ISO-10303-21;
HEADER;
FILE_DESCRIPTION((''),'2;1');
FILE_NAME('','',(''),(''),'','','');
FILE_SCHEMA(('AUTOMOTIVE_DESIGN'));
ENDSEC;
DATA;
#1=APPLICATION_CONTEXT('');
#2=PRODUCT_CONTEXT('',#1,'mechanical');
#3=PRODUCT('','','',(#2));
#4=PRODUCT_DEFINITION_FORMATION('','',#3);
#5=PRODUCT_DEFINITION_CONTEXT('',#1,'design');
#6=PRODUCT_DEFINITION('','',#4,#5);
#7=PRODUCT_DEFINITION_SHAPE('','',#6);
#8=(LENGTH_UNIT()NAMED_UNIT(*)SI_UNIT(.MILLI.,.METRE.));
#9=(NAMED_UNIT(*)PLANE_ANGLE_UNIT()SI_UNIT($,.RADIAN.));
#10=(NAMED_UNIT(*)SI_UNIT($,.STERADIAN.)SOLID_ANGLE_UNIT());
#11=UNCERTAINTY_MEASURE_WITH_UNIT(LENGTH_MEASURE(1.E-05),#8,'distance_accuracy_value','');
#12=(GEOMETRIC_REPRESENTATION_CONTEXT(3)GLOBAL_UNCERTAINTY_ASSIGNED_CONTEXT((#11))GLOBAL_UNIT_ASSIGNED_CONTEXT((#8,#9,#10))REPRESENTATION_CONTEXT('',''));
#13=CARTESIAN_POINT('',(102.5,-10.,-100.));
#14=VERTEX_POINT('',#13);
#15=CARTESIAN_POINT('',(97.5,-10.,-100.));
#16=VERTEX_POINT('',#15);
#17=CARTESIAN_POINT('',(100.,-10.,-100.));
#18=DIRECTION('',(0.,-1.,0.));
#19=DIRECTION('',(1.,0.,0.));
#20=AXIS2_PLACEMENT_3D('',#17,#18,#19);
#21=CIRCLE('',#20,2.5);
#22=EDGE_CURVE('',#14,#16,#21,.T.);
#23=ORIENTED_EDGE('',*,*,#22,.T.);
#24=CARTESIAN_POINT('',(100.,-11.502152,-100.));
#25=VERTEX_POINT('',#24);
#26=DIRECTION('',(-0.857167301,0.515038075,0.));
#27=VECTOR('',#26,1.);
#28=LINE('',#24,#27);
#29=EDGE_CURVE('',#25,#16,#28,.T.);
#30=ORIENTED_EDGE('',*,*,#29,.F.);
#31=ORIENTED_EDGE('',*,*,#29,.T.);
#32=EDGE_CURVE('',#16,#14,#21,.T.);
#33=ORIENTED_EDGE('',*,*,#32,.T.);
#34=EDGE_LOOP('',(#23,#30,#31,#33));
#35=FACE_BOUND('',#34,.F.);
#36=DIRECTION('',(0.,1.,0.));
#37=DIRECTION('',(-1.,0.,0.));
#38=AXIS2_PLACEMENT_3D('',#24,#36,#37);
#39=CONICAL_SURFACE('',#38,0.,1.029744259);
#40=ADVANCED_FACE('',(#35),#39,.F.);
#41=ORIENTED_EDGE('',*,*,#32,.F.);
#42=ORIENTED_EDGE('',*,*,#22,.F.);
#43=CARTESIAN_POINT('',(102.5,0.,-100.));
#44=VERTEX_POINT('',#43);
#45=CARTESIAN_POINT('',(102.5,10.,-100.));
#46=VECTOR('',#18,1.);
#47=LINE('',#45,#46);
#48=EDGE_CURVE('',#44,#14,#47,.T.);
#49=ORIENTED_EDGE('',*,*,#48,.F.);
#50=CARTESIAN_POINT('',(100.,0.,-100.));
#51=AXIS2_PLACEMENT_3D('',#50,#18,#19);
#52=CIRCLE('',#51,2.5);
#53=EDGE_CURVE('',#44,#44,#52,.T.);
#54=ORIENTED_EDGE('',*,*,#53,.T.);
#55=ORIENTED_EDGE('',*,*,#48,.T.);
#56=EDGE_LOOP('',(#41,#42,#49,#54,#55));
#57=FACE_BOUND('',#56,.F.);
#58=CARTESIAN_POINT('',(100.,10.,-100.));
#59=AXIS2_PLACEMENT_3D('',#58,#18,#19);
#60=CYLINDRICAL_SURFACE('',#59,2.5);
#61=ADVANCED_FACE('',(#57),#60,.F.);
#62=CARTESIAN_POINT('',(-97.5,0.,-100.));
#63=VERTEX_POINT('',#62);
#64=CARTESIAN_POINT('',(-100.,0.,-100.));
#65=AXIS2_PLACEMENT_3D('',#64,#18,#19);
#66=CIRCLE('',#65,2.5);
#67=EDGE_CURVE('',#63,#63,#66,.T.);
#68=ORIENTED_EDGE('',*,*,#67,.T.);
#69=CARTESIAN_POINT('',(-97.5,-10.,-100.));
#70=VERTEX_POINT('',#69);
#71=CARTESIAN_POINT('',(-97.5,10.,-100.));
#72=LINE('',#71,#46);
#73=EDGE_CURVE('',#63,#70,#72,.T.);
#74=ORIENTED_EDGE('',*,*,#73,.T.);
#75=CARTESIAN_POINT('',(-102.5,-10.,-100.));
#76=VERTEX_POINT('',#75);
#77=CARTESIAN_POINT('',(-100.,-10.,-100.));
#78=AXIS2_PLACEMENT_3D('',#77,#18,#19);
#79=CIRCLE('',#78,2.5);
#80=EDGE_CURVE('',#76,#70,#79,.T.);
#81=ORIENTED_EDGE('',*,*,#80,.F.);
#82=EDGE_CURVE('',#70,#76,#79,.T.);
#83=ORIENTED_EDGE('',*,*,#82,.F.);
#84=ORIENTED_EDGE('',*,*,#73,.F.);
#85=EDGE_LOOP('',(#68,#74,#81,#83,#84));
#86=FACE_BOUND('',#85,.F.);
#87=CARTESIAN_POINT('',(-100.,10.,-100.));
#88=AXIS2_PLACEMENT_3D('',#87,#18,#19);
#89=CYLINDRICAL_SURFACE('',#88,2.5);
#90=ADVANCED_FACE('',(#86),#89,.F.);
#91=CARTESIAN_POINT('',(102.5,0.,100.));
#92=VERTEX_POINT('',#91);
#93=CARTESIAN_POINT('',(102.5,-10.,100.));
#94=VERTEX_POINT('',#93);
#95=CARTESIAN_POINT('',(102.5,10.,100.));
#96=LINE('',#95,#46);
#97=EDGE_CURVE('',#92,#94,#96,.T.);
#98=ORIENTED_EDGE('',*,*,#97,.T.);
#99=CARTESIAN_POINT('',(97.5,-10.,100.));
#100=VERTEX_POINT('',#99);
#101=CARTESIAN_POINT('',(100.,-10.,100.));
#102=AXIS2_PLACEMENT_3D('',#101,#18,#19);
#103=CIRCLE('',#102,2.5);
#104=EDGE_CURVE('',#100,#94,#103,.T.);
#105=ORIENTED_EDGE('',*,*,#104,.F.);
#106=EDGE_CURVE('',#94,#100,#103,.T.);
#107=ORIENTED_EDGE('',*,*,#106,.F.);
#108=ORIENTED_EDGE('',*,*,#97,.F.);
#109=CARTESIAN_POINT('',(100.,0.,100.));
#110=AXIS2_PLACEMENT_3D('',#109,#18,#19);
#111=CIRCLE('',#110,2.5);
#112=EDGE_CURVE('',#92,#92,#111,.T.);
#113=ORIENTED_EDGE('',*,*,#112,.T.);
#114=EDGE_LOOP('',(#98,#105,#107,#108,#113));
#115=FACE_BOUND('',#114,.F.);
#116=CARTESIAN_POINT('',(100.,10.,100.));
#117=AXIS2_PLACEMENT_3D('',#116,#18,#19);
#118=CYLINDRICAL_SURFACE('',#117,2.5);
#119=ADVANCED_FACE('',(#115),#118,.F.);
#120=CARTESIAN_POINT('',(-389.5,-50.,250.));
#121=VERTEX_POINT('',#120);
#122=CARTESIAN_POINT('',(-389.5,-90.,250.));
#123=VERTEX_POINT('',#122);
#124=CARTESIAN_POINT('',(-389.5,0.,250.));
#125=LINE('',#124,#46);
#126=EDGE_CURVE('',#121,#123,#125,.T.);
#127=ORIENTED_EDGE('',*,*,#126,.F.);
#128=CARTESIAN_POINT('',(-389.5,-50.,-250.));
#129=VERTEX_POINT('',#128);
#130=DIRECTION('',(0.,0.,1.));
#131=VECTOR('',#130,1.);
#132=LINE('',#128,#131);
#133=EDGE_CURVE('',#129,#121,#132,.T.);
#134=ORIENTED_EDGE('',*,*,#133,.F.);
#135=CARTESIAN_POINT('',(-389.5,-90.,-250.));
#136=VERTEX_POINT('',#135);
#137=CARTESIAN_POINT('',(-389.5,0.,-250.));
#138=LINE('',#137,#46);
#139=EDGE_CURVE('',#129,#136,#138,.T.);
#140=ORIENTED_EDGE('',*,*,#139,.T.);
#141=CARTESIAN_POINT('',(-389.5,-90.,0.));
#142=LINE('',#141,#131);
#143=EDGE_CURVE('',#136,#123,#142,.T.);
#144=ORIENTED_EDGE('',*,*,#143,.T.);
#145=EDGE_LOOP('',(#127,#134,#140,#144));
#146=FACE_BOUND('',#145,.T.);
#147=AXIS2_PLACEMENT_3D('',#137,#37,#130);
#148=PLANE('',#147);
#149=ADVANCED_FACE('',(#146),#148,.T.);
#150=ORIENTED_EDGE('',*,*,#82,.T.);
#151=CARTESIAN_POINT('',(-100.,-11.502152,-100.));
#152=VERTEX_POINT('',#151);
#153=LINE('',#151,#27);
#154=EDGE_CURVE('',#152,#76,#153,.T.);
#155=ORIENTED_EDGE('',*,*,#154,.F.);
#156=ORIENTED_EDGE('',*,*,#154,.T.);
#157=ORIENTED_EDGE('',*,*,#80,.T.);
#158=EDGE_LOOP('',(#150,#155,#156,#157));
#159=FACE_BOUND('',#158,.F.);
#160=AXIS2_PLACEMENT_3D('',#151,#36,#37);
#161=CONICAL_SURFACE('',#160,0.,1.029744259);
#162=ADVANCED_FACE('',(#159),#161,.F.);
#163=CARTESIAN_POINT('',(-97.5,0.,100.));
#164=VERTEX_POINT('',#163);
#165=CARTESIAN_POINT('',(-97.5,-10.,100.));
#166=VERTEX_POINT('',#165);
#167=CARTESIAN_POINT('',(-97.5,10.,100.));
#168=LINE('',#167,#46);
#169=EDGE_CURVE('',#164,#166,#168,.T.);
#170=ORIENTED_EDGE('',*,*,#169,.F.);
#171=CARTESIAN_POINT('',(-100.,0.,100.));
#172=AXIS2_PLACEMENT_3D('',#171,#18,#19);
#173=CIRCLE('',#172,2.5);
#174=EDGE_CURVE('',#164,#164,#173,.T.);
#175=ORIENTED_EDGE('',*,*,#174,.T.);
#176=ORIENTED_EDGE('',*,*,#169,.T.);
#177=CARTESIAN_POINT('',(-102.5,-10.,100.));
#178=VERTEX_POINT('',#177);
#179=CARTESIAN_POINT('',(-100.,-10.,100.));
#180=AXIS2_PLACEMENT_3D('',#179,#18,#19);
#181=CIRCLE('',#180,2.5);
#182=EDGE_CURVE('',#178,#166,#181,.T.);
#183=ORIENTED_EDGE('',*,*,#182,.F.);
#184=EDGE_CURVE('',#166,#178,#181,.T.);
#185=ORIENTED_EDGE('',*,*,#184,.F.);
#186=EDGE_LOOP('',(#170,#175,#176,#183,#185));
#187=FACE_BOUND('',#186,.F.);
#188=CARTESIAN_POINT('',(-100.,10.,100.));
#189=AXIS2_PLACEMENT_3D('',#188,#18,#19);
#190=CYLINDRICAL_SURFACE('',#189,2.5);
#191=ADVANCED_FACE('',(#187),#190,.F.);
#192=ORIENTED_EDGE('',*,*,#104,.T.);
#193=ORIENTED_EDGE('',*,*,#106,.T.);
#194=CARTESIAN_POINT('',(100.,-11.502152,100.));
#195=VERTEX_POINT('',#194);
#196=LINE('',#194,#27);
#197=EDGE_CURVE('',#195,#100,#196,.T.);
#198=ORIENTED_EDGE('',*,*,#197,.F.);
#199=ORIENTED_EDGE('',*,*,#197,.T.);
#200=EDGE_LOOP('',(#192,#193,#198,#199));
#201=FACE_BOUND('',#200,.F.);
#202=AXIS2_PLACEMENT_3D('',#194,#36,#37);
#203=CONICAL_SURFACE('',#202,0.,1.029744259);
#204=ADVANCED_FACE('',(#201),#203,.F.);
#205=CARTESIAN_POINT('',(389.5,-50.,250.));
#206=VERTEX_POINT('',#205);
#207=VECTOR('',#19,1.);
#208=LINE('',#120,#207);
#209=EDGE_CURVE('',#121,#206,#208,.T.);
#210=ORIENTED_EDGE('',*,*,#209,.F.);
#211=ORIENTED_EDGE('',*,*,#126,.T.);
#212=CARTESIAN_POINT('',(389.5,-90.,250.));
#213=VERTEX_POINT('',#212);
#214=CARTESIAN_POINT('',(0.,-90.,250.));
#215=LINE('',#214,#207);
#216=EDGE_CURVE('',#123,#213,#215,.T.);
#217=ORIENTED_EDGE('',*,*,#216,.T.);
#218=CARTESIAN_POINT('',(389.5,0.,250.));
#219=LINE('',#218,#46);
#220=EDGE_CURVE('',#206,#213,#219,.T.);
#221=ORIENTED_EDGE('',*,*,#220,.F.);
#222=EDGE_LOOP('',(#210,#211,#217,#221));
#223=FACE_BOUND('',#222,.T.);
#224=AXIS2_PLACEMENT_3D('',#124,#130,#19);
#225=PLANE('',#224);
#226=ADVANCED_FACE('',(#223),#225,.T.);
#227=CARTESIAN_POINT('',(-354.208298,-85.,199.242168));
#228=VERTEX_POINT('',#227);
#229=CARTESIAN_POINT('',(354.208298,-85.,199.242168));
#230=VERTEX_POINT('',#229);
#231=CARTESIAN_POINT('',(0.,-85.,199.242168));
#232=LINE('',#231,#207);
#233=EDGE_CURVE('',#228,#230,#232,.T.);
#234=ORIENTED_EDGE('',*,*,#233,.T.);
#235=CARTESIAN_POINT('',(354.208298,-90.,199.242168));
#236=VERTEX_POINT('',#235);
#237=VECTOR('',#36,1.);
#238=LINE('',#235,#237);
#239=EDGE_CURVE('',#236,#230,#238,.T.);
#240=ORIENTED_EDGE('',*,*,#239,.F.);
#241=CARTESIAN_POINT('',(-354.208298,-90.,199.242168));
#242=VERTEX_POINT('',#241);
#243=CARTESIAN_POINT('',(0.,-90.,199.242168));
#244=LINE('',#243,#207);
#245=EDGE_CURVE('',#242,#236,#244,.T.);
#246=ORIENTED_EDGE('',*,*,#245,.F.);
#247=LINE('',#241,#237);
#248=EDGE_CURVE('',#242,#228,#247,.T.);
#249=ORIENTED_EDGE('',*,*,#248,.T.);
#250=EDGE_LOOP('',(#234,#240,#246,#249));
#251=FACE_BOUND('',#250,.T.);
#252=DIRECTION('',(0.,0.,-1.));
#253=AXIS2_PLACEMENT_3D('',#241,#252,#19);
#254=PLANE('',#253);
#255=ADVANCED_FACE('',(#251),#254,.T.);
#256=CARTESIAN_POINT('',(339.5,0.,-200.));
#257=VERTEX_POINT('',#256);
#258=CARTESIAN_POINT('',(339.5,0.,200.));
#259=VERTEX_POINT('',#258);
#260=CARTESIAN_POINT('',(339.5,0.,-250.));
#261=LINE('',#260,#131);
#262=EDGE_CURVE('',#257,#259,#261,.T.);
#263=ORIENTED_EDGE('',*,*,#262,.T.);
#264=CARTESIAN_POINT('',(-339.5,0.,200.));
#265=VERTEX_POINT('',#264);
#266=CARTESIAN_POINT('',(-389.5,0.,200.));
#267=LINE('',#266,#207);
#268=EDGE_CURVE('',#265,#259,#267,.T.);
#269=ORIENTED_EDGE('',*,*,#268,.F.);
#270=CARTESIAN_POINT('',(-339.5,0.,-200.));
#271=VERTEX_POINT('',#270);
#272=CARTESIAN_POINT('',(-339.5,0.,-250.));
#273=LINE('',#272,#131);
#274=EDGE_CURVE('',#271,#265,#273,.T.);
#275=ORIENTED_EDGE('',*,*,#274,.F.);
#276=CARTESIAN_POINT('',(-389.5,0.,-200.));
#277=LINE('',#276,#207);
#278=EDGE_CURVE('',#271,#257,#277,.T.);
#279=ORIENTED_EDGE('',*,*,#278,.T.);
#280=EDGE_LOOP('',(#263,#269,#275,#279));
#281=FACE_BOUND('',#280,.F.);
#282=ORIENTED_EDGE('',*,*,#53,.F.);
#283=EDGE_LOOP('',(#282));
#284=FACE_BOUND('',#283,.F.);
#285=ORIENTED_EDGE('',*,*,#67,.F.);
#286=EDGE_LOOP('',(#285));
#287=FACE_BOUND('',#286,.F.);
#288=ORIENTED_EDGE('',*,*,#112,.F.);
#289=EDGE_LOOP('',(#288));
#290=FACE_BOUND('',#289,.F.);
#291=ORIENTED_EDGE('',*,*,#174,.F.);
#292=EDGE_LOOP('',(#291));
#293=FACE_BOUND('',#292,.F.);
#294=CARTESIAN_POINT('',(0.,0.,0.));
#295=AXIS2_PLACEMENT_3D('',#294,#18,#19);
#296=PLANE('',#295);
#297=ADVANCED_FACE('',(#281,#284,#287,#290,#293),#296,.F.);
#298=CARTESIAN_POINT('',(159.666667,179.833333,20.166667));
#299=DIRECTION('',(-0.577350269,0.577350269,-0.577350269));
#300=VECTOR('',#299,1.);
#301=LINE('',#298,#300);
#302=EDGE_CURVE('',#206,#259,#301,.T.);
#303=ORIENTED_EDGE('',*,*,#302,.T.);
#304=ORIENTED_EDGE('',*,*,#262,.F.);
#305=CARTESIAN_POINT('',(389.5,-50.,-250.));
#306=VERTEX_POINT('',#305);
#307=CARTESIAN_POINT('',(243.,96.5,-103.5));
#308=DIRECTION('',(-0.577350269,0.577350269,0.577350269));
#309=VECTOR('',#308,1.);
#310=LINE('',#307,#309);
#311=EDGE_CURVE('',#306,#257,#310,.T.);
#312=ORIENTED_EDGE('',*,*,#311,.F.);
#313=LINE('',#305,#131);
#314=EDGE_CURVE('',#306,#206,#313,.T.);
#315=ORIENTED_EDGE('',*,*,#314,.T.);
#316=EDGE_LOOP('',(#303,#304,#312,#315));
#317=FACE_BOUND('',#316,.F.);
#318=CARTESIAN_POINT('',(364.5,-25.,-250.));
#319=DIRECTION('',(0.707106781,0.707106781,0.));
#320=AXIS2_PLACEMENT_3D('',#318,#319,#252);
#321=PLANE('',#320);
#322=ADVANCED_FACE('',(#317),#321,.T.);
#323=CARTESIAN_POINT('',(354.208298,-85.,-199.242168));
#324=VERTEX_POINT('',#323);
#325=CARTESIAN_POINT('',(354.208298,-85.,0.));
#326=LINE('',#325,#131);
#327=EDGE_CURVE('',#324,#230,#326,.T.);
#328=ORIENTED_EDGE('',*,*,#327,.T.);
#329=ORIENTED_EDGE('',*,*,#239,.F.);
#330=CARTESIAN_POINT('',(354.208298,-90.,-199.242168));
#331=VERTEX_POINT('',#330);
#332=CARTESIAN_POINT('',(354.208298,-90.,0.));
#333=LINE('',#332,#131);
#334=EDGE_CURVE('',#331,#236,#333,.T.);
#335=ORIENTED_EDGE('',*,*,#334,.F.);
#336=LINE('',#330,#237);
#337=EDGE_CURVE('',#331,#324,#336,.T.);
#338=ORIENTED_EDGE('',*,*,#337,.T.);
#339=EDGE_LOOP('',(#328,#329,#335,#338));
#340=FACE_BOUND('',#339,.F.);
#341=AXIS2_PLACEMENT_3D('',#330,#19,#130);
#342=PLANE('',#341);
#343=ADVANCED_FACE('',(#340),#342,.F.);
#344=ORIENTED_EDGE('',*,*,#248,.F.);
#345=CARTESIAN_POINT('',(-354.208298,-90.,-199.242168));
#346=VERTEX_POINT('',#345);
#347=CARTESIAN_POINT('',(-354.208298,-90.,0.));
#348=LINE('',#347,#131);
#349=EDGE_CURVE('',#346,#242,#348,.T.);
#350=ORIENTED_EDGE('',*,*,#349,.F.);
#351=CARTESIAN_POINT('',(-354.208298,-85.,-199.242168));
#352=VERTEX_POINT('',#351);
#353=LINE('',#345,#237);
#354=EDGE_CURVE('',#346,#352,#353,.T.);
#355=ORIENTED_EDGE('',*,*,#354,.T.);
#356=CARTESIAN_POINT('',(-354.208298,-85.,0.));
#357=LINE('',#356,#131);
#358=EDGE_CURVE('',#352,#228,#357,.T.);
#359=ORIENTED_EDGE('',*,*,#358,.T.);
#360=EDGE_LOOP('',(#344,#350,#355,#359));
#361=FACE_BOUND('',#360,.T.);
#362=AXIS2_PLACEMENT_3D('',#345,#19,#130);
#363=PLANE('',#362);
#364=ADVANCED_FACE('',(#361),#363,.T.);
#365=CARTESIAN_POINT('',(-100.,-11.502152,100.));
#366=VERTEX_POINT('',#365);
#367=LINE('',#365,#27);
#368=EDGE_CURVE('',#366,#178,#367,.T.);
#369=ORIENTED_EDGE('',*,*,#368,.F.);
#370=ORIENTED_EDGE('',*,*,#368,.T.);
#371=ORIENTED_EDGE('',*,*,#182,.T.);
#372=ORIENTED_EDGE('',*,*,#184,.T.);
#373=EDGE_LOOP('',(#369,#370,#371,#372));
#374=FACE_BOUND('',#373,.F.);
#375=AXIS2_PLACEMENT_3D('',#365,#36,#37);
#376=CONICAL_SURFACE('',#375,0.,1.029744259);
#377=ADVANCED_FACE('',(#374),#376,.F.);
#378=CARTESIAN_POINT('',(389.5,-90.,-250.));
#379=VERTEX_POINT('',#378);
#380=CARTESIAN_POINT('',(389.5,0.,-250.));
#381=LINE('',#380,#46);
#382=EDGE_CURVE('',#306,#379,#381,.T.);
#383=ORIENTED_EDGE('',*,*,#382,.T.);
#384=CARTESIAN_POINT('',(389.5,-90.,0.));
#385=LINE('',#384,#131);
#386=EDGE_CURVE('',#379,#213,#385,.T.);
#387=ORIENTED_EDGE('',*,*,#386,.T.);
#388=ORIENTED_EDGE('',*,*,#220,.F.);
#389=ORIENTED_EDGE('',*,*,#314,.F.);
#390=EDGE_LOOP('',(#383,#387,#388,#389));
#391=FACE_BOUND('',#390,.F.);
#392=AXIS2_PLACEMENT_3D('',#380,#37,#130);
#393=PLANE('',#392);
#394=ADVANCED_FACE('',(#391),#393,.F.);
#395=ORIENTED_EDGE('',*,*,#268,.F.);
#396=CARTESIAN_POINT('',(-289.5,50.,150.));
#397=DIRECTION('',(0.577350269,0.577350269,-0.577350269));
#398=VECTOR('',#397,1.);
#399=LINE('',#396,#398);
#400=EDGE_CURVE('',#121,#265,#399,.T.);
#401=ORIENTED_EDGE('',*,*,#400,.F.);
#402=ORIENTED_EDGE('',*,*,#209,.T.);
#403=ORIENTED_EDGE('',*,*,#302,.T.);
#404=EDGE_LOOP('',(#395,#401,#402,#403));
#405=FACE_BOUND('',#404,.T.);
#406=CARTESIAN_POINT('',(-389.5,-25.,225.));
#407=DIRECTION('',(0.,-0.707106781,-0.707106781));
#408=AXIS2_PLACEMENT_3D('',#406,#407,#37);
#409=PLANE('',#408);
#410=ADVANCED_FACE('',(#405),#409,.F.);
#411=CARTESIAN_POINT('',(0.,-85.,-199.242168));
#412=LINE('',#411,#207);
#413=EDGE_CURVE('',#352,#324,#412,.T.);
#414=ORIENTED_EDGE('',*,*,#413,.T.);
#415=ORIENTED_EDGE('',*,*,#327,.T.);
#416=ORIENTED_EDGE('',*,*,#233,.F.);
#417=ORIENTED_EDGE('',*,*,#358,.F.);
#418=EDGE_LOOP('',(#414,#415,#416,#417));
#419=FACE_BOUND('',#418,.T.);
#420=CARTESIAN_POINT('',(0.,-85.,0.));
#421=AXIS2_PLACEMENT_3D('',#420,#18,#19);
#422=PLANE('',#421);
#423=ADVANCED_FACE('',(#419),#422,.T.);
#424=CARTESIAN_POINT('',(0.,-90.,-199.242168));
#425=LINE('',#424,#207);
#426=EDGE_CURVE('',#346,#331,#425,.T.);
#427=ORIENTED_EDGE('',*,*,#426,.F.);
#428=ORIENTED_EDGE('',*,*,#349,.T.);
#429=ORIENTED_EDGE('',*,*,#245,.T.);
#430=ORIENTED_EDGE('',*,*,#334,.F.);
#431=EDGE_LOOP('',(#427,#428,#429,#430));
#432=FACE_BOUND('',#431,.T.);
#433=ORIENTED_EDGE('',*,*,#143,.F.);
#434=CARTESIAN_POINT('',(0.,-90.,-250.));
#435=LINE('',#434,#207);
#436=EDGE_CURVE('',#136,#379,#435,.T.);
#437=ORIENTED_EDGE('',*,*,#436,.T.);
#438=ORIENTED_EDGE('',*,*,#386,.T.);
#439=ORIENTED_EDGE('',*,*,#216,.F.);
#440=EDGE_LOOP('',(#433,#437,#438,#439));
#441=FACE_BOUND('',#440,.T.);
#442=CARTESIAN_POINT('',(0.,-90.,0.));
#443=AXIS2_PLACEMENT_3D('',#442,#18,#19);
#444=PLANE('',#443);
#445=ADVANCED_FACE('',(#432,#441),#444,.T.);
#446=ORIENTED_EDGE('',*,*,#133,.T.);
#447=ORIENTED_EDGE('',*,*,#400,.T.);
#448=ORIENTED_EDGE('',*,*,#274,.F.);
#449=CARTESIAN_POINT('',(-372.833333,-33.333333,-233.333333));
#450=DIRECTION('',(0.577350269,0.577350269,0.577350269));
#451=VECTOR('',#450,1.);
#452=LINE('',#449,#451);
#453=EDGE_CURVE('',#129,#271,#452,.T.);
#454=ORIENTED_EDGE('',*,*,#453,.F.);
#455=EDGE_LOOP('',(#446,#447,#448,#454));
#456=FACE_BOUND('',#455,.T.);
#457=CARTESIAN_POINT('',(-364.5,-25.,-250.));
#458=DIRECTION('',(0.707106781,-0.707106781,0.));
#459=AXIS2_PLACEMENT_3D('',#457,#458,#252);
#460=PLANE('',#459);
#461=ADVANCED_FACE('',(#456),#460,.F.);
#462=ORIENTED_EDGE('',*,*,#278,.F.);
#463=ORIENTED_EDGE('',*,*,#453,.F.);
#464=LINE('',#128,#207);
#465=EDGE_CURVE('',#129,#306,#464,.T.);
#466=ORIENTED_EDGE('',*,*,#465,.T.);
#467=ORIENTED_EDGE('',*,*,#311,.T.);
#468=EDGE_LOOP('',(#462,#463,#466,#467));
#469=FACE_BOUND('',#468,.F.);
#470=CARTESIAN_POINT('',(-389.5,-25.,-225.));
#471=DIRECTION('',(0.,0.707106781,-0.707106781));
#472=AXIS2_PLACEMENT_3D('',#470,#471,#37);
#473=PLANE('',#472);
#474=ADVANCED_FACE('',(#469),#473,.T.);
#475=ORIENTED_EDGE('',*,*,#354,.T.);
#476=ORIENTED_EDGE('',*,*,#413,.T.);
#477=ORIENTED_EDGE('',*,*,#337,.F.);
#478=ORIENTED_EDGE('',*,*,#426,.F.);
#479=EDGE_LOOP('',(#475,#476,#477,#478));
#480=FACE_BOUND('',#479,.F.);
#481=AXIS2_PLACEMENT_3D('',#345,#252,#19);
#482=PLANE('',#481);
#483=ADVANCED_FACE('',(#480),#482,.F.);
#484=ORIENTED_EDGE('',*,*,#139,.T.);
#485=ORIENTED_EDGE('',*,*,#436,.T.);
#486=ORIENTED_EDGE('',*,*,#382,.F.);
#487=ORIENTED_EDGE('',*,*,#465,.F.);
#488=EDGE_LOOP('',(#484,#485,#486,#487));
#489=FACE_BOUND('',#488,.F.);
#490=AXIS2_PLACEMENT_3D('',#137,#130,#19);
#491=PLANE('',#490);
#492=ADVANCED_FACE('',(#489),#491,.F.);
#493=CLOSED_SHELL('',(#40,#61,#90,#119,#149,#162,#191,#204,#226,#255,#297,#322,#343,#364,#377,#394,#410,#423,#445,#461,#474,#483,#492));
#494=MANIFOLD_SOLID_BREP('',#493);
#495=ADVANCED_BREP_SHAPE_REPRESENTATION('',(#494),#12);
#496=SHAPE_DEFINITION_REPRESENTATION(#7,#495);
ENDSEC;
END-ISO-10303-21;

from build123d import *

# Parameters (mm, degrees)
F0_W     = 779
F0_H     = 500
F1_DEPTH = 90
F2_SIZE  = 50
F3_W     = 708.4165965748
F3_H     = 398.4843355733
F4_DEPTH = 5
F6_D     = 5
F6_DEPTH = 10
F6_TIP   = 1.5021515476


with BuildPart() as f1:
    # F0 (on Front) → F1 (new body)
    with BuildSketch(Plane.XZ):
        Rectangle(F0_W, F0_H)
    extrude(amount=F1_DEPTH)

    # F2
    f2_edges = [f1.edges().sort_by_distance(p)[0] for p in [
        (389.5, 0, 0),
        (0, 0, 250),
        (-389.5, 0, 0),
        (0, 0, -250),
    ]]
    chamfer(f2_edges, length=F2_SIZE)

    # F3 (on face) → F4 (cut)
    with BuildSketch(Plane.XZ.offset(90)):
        Rectangle(F3_W, F3_H)
    extrude(amount=-F4_DEPTH, mode=Mode.SUBTRACT)

    # F6
    with Locations(Plane(origin=(0, 0, 0), x_dir=(-1, 0, 0), z_dir=(0, 1, 0))):
        with Locations((-100, 100), (100, 100), (-100, -100), (100, -100)):
            Hole(F6_D / 2, depth=F6_DEPTH)
            with Locations((0, 0, -(F6_DEPTH + F6_TIP / 2))):  # 118° drill point
                Cone(0, F6_D / 2, F6_TIP, mode=Mode.SUBTRACT)


solid = f1.part
